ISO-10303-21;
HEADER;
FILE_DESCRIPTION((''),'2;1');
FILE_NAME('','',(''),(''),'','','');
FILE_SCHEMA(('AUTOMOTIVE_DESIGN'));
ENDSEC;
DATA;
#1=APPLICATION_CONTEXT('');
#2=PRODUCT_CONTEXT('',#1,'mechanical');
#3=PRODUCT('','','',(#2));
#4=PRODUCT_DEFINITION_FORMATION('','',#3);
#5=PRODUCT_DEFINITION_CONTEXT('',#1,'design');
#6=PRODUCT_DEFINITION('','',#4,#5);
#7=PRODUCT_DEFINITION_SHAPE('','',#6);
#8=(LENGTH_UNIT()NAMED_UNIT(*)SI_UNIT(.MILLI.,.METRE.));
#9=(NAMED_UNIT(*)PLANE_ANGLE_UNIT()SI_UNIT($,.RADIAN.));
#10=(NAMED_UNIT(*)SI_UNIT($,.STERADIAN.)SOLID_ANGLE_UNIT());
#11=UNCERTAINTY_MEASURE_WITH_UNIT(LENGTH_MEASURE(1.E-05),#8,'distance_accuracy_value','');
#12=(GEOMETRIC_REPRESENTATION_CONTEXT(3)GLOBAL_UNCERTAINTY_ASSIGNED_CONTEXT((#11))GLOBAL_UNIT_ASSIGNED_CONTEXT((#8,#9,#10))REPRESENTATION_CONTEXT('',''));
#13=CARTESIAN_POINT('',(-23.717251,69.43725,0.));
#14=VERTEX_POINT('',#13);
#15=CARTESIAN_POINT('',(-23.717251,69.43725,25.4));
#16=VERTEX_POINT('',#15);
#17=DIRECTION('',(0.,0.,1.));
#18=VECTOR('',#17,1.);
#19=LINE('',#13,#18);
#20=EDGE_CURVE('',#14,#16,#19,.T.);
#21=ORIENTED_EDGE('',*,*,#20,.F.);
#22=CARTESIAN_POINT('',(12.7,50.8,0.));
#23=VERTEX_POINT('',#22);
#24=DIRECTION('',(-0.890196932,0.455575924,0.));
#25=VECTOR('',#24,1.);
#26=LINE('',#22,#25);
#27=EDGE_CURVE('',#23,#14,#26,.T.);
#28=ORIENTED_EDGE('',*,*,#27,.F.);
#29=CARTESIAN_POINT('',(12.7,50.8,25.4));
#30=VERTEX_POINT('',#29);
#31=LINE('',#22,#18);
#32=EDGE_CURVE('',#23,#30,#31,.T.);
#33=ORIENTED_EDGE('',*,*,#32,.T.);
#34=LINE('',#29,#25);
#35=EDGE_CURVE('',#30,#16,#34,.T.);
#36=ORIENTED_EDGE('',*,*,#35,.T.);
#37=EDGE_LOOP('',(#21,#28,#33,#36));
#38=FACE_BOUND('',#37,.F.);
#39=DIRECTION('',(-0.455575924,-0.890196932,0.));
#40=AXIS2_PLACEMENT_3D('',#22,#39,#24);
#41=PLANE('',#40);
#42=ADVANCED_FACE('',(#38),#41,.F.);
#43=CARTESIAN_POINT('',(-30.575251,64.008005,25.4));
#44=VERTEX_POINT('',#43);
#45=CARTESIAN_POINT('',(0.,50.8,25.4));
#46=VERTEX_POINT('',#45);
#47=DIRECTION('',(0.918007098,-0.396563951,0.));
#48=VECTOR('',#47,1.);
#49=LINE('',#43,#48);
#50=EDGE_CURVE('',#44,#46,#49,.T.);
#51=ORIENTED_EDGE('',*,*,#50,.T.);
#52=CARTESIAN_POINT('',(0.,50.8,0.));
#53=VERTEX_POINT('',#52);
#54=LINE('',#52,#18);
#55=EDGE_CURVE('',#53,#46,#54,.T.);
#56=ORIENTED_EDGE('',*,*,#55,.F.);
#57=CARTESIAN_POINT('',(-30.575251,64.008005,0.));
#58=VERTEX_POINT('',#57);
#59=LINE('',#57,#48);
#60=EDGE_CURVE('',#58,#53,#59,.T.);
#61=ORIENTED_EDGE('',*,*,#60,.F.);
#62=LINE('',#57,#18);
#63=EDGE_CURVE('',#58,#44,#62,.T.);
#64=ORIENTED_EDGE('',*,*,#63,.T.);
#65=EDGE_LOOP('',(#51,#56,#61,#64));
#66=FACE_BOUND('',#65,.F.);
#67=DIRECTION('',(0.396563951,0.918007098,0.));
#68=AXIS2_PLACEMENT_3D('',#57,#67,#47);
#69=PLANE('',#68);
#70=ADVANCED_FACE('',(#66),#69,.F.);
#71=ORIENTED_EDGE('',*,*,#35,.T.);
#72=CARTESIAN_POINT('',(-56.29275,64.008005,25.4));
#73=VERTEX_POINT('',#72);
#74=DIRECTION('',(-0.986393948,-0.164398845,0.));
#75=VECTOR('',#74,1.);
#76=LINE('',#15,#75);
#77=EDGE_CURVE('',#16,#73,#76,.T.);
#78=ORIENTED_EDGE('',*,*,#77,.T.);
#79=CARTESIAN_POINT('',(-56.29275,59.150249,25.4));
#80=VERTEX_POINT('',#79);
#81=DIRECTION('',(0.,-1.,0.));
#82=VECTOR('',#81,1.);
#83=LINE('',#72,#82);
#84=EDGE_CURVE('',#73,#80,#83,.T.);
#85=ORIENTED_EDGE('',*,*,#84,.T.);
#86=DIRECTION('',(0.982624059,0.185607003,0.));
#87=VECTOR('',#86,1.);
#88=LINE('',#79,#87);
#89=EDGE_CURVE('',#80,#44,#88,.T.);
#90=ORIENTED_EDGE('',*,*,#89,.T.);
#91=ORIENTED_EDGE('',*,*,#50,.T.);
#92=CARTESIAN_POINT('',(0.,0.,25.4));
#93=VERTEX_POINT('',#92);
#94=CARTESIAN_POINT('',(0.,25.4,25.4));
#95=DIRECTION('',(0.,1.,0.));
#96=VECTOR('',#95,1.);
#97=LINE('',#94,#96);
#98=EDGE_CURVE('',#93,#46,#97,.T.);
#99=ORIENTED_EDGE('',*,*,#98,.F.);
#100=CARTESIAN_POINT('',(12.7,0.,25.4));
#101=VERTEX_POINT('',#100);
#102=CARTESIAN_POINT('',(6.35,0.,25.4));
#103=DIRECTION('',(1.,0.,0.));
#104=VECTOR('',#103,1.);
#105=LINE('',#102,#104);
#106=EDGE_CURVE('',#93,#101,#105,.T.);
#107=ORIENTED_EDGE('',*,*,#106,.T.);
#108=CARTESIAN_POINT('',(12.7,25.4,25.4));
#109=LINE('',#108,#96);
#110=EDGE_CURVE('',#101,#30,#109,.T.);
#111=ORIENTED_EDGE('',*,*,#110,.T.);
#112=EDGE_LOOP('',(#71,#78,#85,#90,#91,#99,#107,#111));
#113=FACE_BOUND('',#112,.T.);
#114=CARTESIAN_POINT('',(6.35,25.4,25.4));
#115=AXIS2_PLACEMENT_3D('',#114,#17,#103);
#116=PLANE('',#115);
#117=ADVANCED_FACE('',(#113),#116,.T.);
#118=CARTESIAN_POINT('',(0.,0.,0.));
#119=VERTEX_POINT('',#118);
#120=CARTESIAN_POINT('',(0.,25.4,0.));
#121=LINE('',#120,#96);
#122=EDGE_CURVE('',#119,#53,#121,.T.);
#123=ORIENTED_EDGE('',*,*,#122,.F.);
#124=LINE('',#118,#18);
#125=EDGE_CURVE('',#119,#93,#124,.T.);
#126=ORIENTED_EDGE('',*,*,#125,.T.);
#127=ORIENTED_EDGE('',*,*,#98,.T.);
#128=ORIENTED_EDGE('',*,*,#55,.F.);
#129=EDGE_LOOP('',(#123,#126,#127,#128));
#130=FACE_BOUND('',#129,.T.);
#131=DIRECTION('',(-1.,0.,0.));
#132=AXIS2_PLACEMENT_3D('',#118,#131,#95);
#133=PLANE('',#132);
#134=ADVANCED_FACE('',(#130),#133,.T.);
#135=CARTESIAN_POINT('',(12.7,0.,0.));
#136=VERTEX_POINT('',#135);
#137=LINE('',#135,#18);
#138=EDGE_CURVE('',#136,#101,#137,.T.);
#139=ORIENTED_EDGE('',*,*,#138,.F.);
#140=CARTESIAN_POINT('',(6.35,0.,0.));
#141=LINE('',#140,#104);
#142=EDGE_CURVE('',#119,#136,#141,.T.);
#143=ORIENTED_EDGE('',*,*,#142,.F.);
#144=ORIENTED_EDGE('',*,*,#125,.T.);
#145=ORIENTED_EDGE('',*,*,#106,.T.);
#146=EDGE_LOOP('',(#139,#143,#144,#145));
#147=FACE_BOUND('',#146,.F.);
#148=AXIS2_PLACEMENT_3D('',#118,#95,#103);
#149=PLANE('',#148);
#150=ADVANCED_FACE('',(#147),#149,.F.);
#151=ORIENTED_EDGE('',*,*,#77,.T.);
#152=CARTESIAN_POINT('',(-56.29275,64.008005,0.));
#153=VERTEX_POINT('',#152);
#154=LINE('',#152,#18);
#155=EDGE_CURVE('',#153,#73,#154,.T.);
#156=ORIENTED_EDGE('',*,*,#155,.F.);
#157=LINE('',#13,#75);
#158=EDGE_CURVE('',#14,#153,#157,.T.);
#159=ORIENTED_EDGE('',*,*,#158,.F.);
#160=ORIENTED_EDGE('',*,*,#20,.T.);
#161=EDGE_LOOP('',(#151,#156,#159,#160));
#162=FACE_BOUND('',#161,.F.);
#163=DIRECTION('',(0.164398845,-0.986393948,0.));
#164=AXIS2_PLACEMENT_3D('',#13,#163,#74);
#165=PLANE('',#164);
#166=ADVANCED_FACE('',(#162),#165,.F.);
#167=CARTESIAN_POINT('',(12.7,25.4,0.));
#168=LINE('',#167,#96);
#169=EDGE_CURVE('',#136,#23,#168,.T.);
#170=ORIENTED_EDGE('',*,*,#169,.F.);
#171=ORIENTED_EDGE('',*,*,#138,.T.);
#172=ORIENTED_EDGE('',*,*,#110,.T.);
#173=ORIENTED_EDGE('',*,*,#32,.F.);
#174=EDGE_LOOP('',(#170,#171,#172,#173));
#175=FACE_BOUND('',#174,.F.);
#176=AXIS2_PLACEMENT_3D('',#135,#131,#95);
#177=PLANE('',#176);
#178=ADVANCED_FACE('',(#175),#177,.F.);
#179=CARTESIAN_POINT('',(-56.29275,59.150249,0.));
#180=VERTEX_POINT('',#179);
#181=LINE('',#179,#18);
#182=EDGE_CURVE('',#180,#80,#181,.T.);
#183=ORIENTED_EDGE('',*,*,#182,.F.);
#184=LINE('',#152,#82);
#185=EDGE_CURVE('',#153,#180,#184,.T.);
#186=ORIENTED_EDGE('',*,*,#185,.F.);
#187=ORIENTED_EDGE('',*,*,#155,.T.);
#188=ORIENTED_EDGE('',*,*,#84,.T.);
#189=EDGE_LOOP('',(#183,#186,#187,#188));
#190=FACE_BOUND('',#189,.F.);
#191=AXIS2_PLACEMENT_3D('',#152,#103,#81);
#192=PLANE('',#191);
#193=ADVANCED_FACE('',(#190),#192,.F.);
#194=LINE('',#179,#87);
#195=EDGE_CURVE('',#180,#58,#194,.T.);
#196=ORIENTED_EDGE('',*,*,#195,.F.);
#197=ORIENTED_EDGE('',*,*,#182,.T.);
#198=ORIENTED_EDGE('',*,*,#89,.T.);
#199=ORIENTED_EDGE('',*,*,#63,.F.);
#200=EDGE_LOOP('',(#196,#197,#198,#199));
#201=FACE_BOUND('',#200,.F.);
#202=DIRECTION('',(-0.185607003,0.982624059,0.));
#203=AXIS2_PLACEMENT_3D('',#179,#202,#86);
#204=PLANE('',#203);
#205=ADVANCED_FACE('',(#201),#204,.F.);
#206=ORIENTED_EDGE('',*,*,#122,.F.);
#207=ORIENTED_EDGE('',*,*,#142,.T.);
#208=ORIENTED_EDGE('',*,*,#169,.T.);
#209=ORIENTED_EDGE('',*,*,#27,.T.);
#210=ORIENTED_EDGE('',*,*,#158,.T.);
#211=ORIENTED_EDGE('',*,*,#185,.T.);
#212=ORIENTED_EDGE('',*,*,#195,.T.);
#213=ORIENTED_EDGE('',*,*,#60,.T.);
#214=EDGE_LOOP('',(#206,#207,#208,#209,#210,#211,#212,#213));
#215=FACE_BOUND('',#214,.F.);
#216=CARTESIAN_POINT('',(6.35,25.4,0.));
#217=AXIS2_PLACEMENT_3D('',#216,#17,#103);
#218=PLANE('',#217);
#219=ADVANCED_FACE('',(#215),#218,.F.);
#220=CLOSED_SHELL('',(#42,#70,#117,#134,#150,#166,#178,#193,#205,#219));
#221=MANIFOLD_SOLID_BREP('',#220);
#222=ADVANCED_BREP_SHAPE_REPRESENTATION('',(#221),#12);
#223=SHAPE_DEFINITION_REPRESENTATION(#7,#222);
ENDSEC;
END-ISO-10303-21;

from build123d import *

# Parameters (mm, degrees)
F0_W     = 12.7
F0_H     = 50.8
F1_DEPTH = 25.4


with BuildPart() as f1:
    # F0 (on Top) → F1 (new body)
    with BuildSketch(Plane.XY):
        with Locations((6.35, 25.4)):
            Rectangle(F0_W, F0_H)
        Polygon((-30.575251, 64.008005), (0, 50.8), (12.7, 50.8), (-23.717251, 69.43725), align=None)
        Polygon((-56.29275, 59.150249), (-30.575251, 64.008005), (-23.717251, 69.43725), (-56.29275, 64.008005), align=None)
    extrude(amount=F1_DEPTH)


solid = f1.part
